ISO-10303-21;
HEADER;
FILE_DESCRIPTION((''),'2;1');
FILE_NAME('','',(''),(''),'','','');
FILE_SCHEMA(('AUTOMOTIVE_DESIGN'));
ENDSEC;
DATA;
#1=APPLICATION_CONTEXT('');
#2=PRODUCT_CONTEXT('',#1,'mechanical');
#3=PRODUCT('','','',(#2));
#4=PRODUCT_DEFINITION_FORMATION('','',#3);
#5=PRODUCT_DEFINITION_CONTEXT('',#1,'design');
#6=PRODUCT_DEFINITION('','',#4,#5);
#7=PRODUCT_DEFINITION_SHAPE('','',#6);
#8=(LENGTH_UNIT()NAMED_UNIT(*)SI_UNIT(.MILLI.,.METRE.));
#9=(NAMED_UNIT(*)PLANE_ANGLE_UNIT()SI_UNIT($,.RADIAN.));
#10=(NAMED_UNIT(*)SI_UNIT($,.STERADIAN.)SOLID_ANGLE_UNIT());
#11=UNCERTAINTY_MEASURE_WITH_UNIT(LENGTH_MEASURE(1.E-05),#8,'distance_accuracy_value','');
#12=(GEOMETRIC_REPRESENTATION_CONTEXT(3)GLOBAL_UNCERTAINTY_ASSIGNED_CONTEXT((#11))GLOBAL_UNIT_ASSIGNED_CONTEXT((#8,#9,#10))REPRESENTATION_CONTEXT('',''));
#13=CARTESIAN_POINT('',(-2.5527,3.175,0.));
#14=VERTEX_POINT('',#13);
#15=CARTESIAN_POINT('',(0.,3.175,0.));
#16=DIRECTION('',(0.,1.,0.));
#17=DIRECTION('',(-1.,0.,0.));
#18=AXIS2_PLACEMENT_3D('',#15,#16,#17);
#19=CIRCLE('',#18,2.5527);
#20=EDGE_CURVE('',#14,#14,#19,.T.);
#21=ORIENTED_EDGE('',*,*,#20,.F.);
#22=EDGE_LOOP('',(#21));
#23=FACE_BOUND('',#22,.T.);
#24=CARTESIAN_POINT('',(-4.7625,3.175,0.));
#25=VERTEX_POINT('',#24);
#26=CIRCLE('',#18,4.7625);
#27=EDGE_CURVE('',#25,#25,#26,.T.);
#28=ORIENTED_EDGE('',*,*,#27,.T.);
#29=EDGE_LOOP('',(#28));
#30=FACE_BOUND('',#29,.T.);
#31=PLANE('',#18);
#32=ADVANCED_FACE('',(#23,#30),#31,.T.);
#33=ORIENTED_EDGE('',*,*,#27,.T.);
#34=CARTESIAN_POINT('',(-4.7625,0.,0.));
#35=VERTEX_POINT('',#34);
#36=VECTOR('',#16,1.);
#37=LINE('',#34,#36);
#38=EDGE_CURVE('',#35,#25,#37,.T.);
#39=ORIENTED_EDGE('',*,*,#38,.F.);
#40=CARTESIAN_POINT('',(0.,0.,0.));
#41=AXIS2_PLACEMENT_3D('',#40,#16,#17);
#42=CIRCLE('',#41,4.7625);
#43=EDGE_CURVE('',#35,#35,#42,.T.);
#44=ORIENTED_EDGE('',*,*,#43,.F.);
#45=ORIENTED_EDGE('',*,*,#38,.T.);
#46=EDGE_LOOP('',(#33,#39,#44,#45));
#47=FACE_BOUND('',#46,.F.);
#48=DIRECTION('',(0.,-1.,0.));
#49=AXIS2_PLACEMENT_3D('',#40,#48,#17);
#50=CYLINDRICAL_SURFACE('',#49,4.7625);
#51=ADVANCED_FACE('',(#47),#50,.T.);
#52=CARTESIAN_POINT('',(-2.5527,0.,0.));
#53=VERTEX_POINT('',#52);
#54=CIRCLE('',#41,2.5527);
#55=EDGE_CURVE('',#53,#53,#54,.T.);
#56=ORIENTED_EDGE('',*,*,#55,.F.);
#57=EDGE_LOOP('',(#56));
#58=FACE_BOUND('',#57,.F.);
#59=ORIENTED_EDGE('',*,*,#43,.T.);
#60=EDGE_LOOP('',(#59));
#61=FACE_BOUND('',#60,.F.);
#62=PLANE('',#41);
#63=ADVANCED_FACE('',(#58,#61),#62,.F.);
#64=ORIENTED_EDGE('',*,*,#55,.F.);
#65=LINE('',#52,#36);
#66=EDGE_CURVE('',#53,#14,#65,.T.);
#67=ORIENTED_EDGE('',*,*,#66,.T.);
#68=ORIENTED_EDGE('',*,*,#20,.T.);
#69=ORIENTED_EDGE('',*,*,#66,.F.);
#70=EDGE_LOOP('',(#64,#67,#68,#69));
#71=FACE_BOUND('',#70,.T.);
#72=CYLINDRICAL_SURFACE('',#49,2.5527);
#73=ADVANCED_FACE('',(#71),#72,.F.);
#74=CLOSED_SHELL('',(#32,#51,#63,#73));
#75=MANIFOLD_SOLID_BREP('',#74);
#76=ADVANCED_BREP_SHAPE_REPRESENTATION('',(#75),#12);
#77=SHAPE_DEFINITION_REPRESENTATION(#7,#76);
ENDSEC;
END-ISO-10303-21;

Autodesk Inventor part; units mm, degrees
ref_plane "YZ Plane" through (0, 0, 0) normal (1, 0, 0) x (0, 1, 0)
ref_plane "XZ Plane" through (0, 0, 0) normal (0, 1, 0) x (-1, 0, 0)
ref_plane "XY Plane" through (0, 0, 0) normal (0, 0, 1) x (1, 0, 0)
sketch "Sketch1" plane through (0, 0, 0) normal (0, 1, 0) x (-1, 0, 0)
  circle A0 centre (0, 0) radius 4.7625
  circle A1 centre (0, 0) radius 2.5527
  dimension "d0" = 9.525
  dimension "d1" = 5.1054
extrude "Extrusion1" add sketch "Sketch1" along normal blind 3.175
properties part number "Small Spacer for v3"
